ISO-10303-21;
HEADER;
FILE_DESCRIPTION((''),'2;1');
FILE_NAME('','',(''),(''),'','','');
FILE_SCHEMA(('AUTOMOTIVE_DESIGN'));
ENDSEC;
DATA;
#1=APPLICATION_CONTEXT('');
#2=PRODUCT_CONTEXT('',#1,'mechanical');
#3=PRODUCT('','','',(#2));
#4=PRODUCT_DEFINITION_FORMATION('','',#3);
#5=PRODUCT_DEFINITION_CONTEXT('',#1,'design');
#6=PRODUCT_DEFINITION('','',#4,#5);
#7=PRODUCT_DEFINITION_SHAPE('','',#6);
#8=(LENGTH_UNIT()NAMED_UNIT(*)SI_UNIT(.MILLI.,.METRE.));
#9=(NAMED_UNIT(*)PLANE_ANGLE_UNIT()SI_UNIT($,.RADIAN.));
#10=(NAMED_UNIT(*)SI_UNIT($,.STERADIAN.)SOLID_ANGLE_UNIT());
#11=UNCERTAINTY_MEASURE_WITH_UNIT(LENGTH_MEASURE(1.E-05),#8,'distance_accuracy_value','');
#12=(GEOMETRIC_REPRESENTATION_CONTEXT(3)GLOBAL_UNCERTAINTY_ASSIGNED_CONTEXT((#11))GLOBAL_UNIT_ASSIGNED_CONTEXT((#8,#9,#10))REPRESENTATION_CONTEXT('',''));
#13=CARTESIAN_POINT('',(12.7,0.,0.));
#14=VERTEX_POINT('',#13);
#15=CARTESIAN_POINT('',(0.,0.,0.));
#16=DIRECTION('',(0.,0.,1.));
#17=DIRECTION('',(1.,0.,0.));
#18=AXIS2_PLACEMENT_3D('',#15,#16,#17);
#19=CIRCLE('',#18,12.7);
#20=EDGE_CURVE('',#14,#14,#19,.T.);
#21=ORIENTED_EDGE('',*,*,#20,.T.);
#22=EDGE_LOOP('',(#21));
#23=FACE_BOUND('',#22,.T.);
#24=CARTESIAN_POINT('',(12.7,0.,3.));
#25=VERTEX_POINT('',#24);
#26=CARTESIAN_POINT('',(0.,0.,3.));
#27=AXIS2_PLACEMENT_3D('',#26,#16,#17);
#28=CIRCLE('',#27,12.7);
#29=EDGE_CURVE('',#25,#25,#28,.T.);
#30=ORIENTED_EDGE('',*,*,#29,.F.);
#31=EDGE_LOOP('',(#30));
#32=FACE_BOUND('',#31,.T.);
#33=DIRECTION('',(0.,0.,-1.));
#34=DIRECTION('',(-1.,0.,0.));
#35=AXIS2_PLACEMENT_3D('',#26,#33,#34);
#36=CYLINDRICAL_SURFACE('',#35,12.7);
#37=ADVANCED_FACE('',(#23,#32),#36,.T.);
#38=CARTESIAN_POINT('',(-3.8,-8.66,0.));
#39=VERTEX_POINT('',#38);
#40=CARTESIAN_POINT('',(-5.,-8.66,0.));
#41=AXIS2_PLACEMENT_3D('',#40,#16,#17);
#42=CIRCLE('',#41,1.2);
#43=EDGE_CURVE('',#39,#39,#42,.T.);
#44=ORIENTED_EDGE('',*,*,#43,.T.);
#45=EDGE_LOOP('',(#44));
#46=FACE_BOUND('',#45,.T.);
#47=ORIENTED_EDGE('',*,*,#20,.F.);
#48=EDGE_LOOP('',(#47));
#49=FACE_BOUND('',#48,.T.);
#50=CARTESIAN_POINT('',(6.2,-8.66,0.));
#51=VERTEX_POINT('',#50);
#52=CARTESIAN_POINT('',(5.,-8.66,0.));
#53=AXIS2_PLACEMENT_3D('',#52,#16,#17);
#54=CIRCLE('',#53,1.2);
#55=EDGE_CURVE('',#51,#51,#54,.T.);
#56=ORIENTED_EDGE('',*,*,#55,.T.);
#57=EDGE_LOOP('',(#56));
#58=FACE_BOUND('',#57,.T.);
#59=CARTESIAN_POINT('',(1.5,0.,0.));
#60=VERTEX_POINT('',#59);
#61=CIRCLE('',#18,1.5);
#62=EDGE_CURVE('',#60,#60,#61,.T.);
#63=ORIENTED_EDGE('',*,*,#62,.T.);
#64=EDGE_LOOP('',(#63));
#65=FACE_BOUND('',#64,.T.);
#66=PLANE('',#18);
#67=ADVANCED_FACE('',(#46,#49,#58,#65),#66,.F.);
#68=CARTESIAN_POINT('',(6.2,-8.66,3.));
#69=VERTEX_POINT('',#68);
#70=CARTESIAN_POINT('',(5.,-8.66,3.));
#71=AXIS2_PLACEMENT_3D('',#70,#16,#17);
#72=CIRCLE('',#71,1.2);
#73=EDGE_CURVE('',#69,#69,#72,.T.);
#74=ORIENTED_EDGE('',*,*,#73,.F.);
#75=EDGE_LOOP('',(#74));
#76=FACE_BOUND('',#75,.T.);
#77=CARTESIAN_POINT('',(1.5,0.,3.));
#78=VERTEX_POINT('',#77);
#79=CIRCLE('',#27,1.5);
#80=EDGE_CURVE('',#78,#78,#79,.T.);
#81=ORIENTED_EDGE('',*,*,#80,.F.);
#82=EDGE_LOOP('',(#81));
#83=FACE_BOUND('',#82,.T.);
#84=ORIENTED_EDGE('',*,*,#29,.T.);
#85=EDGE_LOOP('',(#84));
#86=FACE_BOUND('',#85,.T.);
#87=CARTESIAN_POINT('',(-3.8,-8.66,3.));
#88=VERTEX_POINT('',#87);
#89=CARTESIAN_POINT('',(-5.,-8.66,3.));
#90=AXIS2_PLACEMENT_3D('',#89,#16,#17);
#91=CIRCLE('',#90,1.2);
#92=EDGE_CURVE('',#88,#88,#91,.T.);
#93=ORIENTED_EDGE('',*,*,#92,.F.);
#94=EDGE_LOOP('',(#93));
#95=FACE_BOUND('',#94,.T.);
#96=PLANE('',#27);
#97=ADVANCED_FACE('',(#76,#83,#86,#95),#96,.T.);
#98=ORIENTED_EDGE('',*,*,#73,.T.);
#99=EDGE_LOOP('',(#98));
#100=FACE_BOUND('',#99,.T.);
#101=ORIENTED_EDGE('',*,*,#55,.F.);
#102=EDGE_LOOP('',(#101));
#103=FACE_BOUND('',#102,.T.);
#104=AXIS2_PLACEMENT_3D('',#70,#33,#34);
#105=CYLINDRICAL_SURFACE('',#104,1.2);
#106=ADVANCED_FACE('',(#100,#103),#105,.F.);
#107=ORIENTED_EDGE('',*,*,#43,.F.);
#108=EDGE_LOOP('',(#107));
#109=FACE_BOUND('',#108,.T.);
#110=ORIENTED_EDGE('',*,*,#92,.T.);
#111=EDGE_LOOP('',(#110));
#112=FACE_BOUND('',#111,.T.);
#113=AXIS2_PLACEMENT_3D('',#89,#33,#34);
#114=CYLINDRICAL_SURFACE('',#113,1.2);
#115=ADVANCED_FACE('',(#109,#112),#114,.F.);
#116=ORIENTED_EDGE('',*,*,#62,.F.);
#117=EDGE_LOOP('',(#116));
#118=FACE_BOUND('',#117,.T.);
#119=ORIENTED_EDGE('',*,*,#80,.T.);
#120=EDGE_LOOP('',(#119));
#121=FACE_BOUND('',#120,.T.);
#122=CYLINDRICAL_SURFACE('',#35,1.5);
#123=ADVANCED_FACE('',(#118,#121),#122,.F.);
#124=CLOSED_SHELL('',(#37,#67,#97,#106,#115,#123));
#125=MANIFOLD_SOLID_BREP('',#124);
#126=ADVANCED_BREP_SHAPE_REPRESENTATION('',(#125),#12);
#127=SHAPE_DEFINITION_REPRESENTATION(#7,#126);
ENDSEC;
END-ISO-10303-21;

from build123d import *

# Parameters (mm, degrees)
SKETCH1_R           = 12.7
SKETCH1_R_2         = 1.5
SKETCH1_R_3         = 1.2
BOSS_EXTRUDE1_DEPTH = 3


with BuildPart() as part:
    # Sketch1 → Boss-Extrude1 (new body)
    with BuildSketch(Plane.XY):
        Circle(SKETCH1_R)
        Circle(SKETCH1_R_2, mode=Mode.SUBTRACT)
        with Locations((5, -8.66)):
            Circle(SKETCH1_R_3, mode=Mode.SUBTRACT)
        with Locations((-5, -8.66)):
            Circle(SKETCH1_R_3, mode=Mode.SUBTRACT)
    extrude(amount=BOSS_EXTRUDE1_DEPTH)


solid = part.part
